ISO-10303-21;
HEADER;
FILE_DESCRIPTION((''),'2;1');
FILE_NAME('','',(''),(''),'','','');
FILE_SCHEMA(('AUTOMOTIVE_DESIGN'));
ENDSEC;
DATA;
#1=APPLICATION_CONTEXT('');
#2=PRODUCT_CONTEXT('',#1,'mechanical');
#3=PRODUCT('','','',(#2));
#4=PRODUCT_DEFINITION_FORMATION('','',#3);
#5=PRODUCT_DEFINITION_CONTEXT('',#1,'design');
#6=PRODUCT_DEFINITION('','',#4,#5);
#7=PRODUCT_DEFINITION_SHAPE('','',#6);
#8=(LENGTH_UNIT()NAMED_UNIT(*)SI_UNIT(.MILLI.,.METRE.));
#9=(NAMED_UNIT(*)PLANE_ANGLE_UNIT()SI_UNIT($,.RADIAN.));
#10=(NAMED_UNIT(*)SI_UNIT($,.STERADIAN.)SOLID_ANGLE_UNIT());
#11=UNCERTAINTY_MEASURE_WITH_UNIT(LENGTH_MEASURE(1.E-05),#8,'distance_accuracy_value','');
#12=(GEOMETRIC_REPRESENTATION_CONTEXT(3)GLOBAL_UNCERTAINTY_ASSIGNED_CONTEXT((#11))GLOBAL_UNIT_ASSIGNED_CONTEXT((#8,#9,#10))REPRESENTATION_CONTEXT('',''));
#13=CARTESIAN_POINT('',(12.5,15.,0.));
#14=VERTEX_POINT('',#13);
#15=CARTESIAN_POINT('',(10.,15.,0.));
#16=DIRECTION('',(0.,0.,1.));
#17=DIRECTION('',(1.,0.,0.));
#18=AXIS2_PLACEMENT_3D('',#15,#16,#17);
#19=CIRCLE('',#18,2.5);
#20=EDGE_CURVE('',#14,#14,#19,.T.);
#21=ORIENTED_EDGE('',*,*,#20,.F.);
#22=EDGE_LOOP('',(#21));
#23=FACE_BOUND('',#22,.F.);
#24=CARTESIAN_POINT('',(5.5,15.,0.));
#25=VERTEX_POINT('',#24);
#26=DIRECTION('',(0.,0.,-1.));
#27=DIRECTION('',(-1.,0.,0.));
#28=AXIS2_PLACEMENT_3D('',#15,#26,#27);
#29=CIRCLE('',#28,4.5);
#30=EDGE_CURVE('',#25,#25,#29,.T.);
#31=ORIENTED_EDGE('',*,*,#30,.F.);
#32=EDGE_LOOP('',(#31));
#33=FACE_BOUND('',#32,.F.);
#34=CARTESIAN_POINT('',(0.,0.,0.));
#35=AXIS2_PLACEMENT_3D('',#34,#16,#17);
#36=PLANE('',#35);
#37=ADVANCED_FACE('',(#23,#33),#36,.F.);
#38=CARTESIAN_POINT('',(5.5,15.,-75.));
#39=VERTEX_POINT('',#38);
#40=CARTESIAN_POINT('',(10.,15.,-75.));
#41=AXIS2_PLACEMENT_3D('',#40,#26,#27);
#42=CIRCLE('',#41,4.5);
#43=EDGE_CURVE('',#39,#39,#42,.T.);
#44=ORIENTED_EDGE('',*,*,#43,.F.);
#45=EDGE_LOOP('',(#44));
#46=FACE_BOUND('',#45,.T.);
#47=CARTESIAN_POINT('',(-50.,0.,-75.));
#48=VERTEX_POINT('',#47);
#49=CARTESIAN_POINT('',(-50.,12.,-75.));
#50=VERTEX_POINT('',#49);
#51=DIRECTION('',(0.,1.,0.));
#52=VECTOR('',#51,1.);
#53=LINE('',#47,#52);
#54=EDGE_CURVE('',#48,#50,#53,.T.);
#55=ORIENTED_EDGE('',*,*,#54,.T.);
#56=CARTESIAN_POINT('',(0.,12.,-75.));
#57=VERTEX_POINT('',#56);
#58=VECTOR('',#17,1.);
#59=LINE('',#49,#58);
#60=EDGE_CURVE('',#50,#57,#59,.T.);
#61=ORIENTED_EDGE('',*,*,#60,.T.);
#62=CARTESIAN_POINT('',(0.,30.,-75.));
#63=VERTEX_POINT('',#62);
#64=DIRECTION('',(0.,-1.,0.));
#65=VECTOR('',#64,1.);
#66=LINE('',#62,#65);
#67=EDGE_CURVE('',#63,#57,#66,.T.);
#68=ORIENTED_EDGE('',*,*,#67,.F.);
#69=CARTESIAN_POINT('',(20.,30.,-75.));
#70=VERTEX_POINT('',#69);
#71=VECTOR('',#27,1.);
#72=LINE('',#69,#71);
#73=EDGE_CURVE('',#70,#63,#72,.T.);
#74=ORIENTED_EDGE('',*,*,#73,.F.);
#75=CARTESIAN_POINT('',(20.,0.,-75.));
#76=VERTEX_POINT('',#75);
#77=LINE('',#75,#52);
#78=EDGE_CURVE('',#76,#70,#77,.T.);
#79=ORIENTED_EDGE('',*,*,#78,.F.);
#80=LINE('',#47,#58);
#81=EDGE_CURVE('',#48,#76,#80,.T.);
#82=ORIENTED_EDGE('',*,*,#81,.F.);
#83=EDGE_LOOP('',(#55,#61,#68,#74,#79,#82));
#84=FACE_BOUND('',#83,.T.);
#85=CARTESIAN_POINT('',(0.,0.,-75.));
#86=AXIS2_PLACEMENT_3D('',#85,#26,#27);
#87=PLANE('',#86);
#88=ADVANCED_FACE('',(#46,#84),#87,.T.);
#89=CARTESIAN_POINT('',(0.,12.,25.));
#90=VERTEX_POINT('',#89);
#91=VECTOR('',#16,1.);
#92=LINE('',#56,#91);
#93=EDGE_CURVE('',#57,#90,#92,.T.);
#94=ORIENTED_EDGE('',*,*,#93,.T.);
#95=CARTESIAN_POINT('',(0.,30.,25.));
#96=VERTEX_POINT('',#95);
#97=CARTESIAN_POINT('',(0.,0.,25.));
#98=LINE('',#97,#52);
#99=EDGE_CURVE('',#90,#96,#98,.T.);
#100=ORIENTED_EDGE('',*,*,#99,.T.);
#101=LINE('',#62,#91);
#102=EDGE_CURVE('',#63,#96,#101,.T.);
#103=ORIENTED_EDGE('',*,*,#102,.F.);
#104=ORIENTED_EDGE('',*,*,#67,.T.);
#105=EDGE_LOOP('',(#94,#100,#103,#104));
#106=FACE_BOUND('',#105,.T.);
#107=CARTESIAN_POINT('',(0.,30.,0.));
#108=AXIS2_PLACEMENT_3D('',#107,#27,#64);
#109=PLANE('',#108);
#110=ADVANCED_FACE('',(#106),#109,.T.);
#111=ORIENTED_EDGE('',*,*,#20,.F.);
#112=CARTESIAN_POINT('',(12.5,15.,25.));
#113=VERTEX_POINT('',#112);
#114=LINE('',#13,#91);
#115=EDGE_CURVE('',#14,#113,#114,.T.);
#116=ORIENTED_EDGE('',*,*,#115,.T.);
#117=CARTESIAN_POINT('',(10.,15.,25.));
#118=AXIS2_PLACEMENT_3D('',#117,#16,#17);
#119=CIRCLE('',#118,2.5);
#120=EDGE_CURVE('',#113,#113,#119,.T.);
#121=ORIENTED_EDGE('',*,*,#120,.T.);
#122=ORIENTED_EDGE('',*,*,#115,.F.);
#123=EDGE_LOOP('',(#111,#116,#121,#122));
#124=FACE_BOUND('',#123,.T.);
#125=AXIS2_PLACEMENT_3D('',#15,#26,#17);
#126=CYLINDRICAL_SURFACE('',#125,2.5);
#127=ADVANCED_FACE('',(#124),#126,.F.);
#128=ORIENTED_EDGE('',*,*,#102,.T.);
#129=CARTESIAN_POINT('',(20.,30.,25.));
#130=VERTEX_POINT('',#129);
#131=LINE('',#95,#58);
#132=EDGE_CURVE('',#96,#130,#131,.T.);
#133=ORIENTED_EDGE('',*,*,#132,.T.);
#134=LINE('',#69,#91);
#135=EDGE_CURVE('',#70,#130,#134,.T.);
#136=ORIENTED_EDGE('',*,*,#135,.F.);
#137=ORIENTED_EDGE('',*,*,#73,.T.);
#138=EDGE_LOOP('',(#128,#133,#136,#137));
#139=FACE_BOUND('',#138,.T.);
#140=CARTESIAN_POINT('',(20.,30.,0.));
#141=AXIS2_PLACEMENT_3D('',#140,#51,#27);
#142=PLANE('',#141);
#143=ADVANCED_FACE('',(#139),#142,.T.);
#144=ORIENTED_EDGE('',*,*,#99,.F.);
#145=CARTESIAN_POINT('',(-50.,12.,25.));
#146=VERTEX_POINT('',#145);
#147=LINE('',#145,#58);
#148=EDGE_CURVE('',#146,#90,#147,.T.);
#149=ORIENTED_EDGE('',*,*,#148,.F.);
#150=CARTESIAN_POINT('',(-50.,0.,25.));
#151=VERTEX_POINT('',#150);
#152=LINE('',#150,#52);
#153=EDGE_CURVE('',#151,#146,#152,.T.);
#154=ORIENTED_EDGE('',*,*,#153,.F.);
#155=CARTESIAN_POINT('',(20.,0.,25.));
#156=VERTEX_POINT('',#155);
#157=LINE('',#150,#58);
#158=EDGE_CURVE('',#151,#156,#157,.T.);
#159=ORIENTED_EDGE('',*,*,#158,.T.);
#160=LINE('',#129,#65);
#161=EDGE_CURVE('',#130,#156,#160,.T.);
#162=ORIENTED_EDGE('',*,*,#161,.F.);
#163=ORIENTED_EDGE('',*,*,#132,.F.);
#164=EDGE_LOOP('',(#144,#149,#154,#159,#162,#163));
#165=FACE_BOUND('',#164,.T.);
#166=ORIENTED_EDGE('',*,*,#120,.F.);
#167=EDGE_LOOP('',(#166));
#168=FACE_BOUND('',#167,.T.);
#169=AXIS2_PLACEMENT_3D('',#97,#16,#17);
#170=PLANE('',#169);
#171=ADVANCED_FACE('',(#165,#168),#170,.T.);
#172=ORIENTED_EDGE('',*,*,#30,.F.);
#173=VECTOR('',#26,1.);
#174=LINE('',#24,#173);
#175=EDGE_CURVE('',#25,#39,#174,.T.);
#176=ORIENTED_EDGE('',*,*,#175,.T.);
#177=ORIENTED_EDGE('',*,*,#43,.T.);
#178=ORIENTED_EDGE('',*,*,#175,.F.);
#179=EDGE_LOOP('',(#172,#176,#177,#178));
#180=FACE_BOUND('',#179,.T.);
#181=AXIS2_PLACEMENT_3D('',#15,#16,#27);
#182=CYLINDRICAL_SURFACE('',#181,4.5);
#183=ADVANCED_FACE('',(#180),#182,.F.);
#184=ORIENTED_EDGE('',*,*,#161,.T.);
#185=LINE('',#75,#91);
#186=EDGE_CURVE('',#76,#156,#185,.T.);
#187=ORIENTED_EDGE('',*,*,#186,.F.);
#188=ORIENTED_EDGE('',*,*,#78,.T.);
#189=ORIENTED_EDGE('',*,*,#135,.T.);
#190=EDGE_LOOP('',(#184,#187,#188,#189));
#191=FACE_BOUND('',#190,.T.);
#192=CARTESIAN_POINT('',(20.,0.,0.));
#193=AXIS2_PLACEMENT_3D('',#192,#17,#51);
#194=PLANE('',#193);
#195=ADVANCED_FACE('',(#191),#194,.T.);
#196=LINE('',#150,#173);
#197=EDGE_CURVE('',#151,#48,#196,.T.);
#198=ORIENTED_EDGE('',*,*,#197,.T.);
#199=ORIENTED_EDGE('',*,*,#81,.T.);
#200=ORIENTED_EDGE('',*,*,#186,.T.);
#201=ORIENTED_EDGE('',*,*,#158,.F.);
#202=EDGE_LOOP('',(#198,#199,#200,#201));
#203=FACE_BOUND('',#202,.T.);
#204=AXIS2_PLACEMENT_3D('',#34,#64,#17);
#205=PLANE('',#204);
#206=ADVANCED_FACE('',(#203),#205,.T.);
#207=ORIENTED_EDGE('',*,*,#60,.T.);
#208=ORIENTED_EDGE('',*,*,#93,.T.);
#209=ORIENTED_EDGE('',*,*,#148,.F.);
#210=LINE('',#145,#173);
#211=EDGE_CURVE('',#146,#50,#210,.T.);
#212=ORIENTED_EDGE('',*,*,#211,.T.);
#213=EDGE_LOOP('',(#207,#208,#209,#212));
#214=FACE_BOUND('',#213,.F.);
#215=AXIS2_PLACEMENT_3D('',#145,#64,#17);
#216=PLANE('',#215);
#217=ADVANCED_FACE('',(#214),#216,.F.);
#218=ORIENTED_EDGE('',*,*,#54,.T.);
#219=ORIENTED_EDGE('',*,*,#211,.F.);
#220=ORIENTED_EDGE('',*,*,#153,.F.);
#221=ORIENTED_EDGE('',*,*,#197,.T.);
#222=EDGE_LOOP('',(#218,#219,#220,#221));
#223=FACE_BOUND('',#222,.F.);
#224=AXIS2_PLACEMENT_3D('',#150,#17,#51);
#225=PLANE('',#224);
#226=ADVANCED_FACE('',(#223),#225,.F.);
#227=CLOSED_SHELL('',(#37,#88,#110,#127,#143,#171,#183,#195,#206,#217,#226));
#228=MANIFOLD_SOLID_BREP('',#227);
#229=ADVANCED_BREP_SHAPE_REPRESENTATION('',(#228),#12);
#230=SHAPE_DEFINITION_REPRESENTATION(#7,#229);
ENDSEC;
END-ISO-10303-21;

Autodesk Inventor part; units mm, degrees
ref_plane "YZ Plane" through (0, 0, 0) normal (1, 0, 0) x (0, 1, 0)
ref_plane "XZ Plane" through (0, 0, 0) normal (0, 1, 0) x (-1, 0, 0)
ref_plane "XY Plane" through (0, 0, 0) normal (0, 0, 1) x (1, 0, 0)
sketch "Sketch1" plane through (0, 0, 0) normal (0, 0, 1) x (1, 0, 0)
  line L0 (0, 30) -> (20, 30)
  line L1 (20, 30) -> (20, 0)
  line L2 (20, 0) -> (0, 0)
  line L3 (0, 0) -> (0, 30)
  circle A0 centre (10, 15) radius 2.5
  dimension "d0" = 30
  dimension "d1" = 20
  dimension "d5" = 10
  dimension "d6" = 15
  dimension "d7" = 5
extrude "Extrusion2" add sketch "Sketch1" along normal blind 25
sketch "Sketch4" plane through (0, 0, 25) normal (0, 0, 1) x (1, 0, 0)
  line L0 (0, 0) -> (20, 0) projected
  line L1 (0, 0) -> (-50, 0)
  line L2 (-50, 0) -> (-50, 12)
  line L3 (-50, 12) -> (0, 12)
  line L4 (0, 12) -> (0, 0)
  point P0 (0, 6)
  dimension "d13" = 12
  dimension "d14" = 50
extrude "Extrusion4" add sketch "Sketch4" against normal blind 100
sketch "Sketch5" plane through (0, 0, 0) normal (0, 0, -1) x (-1, 0, 0)
  line L0 (0, 0) -> (-20, 0) projected
  line L1 (-20, 0) -> (-20, 30) projected
  line L2 (0, 0) -> (-20, 0)
  line L3 (-20, 0) -> (-20, 30)
  line L4 (-20, 30) -> (0, 30)
  line L5 (0, 30) -> (0, 0)
  circle A0 centre (-10, 15) radius 2.5 projected
  circle A1 centre (-10, 15) radius 4.5
  dimension "d17" = 9
extrude "Extrusion5" add sketch "Sketch5" along normal blind 75 contours L0 L1 L4 L5
equation "\"d5\" = 0.5 * d1"
equation "\"d6\" = 0.5 * d0"
properties part number "Touchscreen mount R v05"
